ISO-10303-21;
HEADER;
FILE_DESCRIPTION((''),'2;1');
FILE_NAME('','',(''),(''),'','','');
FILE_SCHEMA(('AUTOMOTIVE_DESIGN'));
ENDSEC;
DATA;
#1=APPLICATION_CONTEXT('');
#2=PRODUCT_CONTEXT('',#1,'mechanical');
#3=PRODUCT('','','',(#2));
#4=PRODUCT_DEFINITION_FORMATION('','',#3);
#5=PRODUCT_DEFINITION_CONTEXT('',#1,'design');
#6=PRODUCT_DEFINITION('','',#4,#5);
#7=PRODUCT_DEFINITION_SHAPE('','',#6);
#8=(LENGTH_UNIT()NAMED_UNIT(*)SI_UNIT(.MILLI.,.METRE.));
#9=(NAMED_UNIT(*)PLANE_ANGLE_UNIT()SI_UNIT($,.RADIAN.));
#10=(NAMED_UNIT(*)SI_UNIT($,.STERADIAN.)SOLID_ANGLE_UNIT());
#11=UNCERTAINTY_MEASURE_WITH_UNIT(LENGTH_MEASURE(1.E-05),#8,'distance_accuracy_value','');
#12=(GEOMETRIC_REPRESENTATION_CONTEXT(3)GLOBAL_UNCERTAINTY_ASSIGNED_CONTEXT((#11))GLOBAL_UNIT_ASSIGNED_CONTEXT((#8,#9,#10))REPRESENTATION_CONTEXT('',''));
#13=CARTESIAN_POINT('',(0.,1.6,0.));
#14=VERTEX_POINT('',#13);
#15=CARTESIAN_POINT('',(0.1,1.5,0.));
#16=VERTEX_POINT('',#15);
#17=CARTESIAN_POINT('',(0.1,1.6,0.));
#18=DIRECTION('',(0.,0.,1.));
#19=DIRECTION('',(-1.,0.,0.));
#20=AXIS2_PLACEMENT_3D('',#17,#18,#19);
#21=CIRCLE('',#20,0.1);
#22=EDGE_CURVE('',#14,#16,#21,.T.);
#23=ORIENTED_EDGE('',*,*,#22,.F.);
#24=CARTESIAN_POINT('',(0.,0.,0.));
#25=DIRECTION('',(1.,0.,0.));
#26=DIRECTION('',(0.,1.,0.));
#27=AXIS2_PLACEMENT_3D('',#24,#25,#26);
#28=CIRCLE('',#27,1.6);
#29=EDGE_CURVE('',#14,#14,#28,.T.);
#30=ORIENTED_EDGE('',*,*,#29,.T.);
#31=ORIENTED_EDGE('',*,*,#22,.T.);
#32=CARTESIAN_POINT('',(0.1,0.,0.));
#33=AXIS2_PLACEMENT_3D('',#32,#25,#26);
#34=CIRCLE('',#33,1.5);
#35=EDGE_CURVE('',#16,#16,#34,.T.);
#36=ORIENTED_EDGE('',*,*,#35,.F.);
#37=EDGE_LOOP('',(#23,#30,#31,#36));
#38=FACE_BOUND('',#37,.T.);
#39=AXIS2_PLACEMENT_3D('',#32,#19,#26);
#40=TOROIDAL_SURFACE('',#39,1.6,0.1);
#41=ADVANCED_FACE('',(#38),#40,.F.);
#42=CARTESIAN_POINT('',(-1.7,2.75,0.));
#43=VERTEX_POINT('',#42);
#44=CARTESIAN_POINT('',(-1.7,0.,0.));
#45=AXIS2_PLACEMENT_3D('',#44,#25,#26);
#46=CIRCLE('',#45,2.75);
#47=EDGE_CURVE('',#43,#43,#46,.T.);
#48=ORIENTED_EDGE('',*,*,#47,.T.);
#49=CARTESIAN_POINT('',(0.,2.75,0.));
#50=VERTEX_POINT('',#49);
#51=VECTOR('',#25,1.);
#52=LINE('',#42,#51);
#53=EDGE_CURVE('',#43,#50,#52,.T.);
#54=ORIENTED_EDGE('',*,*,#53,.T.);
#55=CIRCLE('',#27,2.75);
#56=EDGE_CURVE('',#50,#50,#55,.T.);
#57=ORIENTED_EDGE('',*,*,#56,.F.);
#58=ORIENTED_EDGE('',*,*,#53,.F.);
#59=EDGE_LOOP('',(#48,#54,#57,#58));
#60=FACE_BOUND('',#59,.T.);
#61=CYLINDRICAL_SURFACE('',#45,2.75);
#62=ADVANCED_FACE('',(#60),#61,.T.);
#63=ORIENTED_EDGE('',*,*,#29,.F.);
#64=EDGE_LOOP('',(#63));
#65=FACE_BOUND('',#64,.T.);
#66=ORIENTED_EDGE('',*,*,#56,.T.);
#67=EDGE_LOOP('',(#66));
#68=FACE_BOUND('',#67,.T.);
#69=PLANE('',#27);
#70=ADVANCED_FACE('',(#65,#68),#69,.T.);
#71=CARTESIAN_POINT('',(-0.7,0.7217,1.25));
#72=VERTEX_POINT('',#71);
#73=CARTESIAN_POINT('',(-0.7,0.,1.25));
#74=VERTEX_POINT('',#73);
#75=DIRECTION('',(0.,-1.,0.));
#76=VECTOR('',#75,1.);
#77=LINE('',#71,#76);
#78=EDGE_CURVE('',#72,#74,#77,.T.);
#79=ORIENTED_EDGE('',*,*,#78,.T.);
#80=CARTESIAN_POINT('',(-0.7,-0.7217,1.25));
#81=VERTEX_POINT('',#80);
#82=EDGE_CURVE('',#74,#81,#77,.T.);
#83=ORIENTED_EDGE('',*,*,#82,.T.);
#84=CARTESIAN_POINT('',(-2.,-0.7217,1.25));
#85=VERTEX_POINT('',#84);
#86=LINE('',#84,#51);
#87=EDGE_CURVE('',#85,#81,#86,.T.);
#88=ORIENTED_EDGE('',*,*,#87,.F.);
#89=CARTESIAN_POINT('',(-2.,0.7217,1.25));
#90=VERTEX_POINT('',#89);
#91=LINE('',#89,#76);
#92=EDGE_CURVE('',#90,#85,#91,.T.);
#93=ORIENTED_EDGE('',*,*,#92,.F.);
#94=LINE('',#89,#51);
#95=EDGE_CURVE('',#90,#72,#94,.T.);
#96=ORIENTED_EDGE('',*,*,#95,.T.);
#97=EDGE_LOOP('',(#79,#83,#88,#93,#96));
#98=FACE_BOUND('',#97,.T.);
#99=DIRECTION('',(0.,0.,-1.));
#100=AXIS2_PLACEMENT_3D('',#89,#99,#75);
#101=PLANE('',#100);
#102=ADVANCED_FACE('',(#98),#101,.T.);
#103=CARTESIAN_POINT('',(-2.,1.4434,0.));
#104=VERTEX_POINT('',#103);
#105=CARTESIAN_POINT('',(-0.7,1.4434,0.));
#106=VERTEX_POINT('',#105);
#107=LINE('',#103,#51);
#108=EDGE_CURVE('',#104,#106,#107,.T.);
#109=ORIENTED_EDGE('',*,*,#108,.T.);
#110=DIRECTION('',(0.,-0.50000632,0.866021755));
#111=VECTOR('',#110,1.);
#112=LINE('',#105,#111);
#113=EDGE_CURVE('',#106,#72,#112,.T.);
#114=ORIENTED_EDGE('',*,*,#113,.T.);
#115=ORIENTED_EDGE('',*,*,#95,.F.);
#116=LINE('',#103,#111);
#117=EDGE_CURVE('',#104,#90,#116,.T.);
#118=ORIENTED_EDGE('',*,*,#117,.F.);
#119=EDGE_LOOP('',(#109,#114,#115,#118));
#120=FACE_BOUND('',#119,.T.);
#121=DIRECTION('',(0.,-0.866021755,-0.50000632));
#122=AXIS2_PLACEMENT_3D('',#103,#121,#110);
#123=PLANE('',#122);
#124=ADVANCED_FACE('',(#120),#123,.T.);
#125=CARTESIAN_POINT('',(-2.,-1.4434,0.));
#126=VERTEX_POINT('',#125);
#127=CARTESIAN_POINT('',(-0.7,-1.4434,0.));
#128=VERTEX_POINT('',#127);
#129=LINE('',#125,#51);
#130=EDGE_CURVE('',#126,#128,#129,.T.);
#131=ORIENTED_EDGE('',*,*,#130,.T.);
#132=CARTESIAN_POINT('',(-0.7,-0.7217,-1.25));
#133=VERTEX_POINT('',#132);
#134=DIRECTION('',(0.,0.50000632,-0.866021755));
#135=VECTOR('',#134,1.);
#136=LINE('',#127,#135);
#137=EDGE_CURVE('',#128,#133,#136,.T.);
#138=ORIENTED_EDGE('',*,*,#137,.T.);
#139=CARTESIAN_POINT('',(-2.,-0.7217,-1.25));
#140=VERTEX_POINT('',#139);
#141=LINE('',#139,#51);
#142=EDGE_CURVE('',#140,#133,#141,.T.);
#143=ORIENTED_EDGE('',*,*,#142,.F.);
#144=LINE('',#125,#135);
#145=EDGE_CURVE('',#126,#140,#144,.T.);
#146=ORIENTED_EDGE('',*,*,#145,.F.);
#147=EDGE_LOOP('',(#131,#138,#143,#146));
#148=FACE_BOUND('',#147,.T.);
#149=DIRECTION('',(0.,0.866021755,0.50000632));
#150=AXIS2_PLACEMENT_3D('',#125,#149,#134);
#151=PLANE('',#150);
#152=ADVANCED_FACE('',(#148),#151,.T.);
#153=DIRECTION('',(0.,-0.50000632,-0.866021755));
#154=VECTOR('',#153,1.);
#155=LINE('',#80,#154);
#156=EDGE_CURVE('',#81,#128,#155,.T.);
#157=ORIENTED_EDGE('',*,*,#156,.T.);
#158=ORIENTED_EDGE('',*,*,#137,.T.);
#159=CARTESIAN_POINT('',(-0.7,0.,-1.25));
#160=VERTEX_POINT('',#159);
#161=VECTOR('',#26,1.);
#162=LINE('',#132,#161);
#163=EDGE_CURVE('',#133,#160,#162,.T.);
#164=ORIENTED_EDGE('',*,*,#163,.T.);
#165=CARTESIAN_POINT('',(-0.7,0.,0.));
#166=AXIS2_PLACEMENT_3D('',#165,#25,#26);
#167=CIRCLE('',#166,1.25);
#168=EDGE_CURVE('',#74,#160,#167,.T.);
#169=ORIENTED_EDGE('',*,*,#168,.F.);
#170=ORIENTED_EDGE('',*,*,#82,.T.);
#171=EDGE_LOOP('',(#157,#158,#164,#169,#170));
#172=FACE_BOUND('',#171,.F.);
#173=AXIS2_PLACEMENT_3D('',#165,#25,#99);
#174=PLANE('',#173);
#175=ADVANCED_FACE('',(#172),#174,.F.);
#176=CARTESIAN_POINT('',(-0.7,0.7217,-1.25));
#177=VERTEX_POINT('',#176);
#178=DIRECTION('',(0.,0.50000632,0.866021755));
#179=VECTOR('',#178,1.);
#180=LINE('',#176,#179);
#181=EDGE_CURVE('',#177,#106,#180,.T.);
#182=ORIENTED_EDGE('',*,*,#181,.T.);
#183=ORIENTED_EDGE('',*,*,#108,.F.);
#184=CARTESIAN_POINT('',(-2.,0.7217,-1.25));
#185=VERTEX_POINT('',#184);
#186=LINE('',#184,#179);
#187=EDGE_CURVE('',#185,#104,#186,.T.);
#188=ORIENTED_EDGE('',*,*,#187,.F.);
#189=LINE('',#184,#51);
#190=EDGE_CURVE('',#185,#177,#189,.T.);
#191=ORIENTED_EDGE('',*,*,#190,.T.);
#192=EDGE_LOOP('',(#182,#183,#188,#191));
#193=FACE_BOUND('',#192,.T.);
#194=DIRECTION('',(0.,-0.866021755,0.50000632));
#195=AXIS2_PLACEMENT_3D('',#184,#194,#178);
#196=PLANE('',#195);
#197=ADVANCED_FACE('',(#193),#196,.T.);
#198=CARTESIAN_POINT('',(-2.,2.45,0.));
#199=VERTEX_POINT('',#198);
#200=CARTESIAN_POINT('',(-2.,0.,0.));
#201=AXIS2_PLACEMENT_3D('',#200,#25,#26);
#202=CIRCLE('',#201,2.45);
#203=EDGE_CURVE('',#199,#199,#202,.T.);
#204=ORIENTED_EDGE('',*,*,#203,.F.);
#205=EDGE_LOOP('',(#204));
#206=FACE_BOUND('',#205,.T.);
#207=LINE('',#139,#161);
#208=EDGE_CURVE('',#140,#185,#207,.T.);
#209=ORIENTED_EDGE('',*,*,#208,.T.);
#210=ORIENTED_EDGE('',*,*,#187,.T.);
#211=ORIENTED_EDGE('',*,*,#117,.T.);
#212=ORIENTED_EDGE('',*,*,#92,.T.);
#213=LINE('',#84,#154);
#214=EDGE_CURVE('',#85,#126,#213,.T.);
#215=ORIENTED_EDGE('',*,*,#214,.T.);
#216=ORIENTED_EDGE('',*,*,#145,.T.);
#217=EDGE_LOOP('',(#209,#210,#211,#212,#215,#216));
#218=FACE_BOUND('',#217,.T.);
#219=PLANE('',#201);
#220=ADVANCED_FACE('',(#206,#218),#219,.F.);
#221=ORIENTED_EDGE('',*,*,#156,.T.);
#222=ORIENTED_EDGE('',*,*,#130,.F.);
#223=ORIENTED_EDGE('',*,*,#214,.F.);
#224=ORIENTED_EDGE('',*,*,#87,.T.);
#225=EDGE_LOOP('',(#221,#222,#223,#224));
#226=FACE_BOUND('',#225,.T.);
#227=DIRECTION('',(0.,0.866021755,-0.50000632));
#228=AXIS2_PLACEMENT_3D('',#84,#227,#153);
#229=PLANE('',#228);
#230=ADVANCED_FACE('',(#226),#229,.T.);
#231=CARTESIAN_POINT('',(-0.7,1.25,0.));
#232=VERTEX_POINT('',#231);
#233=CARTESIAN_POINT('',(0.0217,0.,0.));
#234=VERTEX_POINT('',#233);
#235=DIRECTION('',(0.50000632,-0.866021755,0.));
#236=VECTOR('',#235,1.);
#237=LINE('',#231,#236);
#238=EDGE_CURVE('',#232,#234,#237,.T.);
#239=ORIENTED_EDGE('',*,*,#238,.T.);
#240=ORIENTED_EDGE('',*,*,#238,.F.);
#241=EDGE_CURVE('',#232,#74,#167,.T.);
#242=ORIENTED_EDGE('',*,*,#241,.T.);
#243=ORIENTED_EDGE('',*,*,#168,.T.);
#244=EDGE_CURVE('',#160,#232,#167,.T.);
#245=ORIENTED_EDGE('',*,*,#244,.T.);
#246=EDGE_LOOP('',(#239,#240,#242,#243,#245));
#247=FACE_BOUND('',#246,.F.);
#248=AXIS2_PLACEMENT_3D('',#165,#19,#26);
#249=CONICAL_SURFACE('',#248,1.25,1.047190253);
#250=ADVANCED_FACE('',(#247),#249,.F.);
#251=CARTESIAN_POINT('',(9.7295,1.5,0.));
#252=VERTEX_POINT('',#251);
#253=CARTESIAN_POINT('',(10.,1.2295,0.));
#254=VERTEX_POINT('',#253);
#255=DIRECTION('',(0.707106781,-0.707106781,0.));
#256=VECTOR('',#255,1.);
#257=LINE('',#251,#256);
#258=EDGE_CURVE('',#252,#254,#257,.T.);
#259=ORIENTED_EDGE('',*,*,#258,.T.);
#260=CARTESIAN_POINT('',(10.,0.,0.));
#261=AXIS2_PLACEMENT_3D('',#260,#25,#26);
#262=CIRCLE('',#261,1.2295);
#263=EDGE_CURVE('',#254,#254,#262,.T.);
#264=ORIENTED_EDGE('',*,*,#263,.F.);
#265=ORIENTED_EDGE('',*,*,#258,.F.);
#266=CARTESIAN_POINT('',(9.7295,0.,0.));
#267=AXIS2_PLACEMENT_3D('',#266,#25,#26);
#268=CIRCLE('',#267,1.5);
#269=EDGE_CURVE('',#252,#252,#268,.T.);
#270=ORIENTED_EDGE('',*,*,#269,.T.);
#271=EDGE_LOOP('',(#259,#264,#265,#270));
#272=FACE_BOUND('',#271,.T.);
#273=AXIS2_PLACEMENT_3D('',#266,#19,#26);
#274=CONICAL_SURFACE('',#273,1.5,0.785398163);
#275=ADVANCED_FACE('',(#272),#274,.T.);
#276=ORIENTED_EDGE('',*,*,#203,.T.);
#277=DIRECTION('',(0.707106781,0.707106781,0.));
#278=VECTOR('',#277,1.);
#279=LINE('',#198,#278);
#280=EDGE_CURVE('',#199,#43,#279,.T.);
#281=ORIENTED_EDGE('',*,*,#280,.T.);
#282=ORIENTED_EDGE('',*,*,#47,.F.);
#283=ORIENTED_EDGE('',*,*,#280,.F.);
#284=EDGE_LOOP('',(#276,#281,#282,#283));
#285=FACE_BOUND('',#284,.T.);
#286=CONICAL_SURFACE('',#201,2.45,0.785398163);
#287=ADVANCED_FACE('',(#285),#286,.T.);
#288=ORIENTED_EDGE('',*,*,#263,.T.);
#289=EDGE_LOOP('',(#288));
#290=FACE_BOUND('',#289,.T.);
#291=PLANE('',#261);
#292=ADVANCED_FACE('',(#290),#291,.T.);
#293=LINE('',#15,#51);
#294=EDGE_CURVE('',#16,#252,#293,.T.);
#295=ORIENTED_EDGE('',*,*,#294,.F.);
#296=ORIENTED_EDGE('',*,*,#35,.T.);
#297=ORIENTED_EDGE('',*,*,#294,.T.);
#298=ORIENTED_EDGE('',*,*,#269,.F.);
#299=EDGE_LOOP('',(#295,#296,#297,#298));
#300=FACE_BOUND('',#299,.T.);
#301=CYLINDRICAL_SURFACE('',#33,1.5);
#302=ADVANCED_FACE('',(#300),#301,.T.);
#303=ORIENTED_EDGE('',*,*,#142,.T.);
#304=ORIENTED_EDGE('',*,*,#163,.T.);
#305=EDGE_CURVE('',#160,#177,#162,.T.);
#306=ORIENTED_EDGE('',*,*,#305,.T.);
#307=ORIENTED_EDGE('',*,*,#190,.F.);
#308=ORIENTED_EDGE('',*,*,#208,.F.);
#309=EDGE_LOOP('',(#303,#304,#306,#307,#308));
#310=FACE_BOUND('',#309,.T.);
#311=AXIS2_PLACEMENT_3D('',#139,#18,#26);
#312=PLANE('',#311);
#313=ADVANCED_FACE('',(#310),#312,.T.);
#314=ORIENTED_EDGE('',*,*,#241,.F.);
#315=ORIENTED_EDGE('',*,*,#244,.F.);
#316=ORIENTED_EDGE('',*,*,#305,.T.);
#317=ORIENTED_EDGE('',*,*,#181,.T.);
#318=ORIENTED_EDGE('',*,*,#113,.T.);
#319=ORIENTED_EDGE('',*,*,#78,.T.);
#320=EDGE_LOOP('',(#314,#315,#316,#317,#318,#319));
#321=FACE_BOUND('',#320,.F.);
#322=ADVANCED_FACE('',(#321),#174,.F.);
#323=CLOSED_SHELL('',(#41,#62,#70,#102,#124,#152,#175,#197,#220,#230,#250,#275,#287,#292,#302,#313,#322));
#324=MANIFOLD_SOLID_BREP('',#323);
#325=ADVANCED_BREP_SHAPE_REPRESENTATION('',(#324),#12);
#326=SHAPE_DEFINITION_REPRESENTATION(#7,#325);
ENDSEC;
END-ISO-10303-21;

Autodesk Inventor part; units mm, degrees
sketch "Sketch_1" plane through (0, 0, 0) normal (0, 0, 1) x (1, 0, 0)
  line L0 (10, 0) -> (-2, 0)
  line L1 (-2, 0) -> (-2, 2.45)
  line L2 (-2, 2.45) -> (-1.7, 2.75)
  line L3 (-1.7, 2.75) -> (0, 2.75)
  line L4 (0, 2.75) -> (0, 1.6)
  arc A0 (0, 1.6) -> (0.1, 1.5) centre (0.1, 1.6) ccw
  line L5 (0.1, 1.5) -> (9.7295, 1.5)
  line L6 (9.7295, 1.5) -> (10, 1.2295)
  line L7 (10, 1.2295) -> (10, 0)
  line L8 (10, 0) -> (-2, 0)
revolve "Revolution1" add sketch "Sketch_1" angle 360 about axis through (10, 0, 0) along (1, 0, 0)
thread "Thread1" size "M3x0.5" class "6g" standard "ISO Metric profile" length 9.4315 offset 0.4685
sketch "Sketch_2" plane through (-2, 0, 0) normal (1, 0, 0) x (0, 0, -1)
  line L0 (-1.25, 0.7217) -> (-1.25, -0.7217)
  line L1 (-1.25, -0.7217) -> (0, -1.4434)
  line L2 (0, -1.4434) -> (1.25, -0.7217)
  line L3 (1.25, -0.7217) -> (1.25, 0.7217)
  line L4 (1.25, 0.7217) -> (0, 1.4434)
  line L5 (0, 1.4434) -> (-1.25, 0.7217)
extrude "Extrusion1" cut sketch "Sketch_2" along normal blind 1.3
sketch "Sketch_5" plane through (0, 0, 0) normal (0, 0, 1) x (1, 0, 0)
  line L0 (0.0217, 0) -> (-0.7, 0)
  line L1 (-0.7, 0) -> (-0.7, 1.25)
  line L2 (-0.7, 1.25) -> (0.0217, 0)
  line L3 (0.0217, 0) -> (-0.7, 0)
revolve "Revolution2" cut sketch "Sketch_5" angle 360 about axis through (0.0217, 0, 0) along (1, 0, 0)
ref_plane "SCW_XY" through (0, 0, 0) normal (1, 0, 0) x (0, 0, -1)
ref_plane "SCW_YZ" through (0, 0, 0) normal (0, 0, -1) x (0, 1, 0)
ref_plane "SCW_ZX" through (0, 0, 0) normal (0, 1, 0) x (1, 0, 0)
properties part number "M3-10_bo"
